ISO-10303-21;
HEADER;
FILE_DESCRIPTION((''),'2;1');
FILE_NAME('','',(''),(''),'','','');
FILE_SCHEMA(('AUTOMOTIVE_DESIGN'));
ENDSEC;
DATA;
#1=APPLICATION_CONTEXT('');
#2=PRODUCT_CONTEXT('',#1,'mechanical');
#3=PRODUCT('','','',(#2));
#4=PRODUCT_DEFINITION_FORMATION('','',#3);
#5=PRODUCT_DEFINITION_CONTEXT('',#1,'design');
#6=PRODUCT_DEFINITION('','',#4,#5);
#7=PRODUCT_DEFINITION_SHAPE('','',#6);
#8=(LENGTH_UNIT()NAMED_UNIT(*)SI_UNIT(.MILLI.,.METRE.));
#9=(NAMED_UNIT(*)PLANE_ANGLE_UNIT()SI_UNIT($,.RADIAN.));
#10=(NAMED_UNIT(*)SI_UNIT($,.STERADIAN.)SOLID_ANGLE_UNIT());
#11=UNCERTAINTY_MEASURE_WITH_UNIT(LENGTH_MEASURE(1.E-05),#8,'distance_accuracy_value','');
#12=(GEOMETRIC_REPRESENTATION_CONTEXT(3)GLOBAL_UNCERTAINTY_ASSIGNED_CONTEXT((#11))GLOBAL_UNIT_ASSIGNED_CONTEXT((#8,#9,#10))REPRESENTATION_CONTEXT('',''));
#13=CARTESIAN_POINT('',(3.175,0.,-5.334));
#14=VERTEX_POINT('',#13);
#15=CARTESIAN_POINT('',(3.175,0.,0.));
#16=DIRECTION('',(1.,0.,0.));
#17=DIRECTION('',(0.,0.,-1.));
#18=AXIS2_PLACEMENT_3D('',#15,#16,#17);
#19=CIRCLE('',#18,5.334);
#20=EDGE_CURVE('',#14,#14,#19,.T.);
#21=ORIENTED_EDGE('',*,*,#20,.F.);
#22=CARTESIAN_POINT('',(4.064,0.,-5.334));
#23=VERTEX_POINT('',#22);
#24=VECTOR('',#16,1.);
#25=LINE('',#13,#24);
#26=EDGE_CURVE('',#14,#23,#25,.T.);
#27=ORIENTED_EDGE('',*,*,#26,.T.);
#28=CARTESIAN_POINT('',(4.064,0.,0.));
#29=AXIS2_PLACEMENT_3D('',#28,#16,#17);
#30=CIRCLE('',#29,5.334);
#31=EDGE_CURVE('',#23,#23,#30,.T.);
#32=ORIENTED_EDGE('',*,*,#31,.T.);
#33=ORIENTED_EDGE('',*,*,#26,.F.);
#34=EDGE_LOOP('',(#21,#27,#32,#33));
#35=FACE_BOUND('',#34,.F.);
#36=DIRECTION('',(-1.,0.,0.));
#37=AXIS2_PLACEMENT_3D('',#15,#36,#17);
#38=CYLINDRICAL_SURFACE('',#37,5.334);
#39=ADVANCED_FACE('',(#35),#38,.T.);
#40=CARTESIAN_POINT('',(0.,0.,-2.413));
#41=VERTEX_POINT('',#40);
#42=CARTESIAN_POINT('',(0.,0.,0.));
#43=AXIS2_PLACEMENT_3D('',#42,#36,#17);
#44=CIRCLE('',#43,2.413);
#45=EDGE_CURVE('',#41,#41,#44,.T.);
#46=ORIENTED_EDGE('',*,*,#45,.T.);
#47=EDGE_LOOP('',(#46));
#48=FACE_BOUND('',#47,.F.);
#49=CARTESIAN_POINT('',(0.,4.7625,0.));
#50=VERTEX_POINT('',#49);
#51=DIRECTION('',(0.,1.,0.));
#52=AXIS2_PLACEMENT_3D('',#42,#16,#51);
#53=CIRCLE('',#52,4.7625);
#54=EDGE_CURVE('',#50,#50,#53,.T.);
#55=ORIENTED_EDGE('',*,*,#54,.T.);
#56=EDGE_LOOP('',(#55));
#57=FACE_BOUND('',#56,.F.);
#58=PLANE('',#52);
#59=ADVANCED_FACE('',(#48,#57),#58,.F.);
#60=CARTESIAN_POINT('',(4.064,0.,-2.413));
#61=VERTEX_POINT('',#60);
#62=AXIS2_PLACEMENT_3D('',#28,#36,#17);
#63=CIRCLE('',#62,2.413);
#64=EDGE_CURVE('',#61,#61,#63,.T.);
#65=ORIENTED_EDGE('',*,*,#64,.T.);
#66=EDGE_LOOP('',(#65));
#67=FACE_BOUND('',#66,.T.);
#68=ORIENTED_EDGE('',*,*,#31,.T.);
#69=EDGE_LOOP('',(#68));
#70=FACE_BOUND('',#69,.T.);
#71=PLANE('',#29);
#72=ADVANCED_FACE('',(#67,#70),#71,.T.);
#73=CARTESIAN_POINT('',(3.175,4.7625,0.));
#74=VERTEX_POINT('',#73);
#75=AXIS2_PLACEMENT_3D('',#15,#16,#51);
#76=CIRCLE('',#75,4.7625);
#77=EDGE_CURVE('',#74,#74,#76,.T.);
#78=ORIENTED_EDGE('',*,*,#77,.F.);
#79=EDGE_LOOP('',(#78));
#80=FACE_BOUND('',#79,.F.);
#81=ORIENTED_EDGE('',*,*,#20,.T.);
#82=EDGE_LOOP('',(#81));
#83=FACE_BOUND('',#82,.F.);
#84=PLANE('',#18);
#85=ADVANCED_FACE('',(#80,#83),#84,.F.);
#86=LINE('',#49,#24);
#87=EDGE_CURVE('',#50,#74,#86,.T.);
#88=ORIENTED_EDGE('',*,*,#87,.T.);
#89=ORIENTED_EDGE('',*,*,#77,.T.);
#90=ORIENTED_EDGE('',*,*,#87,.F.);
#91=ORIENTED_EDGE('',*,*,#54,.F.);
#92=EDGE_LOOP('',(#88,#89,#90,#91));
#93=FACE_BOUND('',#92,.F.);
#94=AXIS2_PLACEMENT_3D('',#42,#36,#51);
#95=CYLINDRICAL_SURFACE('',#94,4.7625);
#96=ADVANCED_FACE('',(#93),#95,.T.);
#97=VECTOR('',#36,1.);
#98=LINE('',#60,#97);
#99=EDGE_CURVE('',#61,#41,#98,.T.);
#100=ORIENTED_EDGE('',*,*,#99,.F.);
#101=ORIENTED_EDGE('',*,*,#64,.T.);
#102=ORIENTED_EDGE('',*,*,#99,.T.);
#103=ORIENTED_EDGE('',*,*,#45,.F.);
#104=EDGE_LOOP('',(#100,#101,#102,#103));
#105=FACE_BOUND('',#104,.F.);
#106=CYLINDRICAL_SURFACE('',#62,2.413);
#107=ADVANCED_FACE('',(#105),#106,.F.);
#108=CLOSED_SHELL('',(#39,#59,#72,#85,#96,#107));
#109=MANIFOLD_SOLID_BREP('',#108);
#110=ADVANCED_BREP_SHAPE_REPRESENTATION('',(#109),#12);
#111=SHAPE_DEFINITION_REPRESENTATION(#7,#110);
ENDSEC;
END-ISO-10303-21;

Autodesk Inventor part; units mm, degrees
ref_plane "YZ Plane" through (0, 0, 0) normal (1, 0, 0) x (0, 1, 0)
ref_plane "XZ Plane" through (0, 0, 0) normal (0, 1, 0) x (-1, 0, 0)
ref_plane "XY Plane" through (0, 0, 0) normal (0, 0, 1) x (1, 0, 0)
sketch "Sketch1" plane through (0, 0, 0) normal (1, 0, 0) x (0, 1, 0)
  circle A0 centre (0, 0) radius 4.7625
  dimension "d0" = 9.525
extrude "Extrusion1" add sketch "Sketch1" along normal blind 3.175
sketch "Sketch2" plane through (3.175, 0, 0) normal (1, 0, 0) x (0, 0, -1)
  circle A0 centre (0, 0) radius 4.7625 projected
  circle A1 centre (0, 0) radius 5.334
  dimension "d4" = 10.668
extrude "Extrusion2" add sketch "Sketch2" along normal blind 0.889 contours A0 | A1
sketch "Sketch3" plane through (4.064, 0, 0) normal (1, 0, 0) x (0, 0, -1)
  circle A0 centre (0, 0) radius 5.334 projected
hole "Hole1" at (4.064, 0, 0) direction (-1, 0, 0) diameter 4.826 end through all
properties part number "Clutch Bearing" material "Brass, Soft Yellow"
